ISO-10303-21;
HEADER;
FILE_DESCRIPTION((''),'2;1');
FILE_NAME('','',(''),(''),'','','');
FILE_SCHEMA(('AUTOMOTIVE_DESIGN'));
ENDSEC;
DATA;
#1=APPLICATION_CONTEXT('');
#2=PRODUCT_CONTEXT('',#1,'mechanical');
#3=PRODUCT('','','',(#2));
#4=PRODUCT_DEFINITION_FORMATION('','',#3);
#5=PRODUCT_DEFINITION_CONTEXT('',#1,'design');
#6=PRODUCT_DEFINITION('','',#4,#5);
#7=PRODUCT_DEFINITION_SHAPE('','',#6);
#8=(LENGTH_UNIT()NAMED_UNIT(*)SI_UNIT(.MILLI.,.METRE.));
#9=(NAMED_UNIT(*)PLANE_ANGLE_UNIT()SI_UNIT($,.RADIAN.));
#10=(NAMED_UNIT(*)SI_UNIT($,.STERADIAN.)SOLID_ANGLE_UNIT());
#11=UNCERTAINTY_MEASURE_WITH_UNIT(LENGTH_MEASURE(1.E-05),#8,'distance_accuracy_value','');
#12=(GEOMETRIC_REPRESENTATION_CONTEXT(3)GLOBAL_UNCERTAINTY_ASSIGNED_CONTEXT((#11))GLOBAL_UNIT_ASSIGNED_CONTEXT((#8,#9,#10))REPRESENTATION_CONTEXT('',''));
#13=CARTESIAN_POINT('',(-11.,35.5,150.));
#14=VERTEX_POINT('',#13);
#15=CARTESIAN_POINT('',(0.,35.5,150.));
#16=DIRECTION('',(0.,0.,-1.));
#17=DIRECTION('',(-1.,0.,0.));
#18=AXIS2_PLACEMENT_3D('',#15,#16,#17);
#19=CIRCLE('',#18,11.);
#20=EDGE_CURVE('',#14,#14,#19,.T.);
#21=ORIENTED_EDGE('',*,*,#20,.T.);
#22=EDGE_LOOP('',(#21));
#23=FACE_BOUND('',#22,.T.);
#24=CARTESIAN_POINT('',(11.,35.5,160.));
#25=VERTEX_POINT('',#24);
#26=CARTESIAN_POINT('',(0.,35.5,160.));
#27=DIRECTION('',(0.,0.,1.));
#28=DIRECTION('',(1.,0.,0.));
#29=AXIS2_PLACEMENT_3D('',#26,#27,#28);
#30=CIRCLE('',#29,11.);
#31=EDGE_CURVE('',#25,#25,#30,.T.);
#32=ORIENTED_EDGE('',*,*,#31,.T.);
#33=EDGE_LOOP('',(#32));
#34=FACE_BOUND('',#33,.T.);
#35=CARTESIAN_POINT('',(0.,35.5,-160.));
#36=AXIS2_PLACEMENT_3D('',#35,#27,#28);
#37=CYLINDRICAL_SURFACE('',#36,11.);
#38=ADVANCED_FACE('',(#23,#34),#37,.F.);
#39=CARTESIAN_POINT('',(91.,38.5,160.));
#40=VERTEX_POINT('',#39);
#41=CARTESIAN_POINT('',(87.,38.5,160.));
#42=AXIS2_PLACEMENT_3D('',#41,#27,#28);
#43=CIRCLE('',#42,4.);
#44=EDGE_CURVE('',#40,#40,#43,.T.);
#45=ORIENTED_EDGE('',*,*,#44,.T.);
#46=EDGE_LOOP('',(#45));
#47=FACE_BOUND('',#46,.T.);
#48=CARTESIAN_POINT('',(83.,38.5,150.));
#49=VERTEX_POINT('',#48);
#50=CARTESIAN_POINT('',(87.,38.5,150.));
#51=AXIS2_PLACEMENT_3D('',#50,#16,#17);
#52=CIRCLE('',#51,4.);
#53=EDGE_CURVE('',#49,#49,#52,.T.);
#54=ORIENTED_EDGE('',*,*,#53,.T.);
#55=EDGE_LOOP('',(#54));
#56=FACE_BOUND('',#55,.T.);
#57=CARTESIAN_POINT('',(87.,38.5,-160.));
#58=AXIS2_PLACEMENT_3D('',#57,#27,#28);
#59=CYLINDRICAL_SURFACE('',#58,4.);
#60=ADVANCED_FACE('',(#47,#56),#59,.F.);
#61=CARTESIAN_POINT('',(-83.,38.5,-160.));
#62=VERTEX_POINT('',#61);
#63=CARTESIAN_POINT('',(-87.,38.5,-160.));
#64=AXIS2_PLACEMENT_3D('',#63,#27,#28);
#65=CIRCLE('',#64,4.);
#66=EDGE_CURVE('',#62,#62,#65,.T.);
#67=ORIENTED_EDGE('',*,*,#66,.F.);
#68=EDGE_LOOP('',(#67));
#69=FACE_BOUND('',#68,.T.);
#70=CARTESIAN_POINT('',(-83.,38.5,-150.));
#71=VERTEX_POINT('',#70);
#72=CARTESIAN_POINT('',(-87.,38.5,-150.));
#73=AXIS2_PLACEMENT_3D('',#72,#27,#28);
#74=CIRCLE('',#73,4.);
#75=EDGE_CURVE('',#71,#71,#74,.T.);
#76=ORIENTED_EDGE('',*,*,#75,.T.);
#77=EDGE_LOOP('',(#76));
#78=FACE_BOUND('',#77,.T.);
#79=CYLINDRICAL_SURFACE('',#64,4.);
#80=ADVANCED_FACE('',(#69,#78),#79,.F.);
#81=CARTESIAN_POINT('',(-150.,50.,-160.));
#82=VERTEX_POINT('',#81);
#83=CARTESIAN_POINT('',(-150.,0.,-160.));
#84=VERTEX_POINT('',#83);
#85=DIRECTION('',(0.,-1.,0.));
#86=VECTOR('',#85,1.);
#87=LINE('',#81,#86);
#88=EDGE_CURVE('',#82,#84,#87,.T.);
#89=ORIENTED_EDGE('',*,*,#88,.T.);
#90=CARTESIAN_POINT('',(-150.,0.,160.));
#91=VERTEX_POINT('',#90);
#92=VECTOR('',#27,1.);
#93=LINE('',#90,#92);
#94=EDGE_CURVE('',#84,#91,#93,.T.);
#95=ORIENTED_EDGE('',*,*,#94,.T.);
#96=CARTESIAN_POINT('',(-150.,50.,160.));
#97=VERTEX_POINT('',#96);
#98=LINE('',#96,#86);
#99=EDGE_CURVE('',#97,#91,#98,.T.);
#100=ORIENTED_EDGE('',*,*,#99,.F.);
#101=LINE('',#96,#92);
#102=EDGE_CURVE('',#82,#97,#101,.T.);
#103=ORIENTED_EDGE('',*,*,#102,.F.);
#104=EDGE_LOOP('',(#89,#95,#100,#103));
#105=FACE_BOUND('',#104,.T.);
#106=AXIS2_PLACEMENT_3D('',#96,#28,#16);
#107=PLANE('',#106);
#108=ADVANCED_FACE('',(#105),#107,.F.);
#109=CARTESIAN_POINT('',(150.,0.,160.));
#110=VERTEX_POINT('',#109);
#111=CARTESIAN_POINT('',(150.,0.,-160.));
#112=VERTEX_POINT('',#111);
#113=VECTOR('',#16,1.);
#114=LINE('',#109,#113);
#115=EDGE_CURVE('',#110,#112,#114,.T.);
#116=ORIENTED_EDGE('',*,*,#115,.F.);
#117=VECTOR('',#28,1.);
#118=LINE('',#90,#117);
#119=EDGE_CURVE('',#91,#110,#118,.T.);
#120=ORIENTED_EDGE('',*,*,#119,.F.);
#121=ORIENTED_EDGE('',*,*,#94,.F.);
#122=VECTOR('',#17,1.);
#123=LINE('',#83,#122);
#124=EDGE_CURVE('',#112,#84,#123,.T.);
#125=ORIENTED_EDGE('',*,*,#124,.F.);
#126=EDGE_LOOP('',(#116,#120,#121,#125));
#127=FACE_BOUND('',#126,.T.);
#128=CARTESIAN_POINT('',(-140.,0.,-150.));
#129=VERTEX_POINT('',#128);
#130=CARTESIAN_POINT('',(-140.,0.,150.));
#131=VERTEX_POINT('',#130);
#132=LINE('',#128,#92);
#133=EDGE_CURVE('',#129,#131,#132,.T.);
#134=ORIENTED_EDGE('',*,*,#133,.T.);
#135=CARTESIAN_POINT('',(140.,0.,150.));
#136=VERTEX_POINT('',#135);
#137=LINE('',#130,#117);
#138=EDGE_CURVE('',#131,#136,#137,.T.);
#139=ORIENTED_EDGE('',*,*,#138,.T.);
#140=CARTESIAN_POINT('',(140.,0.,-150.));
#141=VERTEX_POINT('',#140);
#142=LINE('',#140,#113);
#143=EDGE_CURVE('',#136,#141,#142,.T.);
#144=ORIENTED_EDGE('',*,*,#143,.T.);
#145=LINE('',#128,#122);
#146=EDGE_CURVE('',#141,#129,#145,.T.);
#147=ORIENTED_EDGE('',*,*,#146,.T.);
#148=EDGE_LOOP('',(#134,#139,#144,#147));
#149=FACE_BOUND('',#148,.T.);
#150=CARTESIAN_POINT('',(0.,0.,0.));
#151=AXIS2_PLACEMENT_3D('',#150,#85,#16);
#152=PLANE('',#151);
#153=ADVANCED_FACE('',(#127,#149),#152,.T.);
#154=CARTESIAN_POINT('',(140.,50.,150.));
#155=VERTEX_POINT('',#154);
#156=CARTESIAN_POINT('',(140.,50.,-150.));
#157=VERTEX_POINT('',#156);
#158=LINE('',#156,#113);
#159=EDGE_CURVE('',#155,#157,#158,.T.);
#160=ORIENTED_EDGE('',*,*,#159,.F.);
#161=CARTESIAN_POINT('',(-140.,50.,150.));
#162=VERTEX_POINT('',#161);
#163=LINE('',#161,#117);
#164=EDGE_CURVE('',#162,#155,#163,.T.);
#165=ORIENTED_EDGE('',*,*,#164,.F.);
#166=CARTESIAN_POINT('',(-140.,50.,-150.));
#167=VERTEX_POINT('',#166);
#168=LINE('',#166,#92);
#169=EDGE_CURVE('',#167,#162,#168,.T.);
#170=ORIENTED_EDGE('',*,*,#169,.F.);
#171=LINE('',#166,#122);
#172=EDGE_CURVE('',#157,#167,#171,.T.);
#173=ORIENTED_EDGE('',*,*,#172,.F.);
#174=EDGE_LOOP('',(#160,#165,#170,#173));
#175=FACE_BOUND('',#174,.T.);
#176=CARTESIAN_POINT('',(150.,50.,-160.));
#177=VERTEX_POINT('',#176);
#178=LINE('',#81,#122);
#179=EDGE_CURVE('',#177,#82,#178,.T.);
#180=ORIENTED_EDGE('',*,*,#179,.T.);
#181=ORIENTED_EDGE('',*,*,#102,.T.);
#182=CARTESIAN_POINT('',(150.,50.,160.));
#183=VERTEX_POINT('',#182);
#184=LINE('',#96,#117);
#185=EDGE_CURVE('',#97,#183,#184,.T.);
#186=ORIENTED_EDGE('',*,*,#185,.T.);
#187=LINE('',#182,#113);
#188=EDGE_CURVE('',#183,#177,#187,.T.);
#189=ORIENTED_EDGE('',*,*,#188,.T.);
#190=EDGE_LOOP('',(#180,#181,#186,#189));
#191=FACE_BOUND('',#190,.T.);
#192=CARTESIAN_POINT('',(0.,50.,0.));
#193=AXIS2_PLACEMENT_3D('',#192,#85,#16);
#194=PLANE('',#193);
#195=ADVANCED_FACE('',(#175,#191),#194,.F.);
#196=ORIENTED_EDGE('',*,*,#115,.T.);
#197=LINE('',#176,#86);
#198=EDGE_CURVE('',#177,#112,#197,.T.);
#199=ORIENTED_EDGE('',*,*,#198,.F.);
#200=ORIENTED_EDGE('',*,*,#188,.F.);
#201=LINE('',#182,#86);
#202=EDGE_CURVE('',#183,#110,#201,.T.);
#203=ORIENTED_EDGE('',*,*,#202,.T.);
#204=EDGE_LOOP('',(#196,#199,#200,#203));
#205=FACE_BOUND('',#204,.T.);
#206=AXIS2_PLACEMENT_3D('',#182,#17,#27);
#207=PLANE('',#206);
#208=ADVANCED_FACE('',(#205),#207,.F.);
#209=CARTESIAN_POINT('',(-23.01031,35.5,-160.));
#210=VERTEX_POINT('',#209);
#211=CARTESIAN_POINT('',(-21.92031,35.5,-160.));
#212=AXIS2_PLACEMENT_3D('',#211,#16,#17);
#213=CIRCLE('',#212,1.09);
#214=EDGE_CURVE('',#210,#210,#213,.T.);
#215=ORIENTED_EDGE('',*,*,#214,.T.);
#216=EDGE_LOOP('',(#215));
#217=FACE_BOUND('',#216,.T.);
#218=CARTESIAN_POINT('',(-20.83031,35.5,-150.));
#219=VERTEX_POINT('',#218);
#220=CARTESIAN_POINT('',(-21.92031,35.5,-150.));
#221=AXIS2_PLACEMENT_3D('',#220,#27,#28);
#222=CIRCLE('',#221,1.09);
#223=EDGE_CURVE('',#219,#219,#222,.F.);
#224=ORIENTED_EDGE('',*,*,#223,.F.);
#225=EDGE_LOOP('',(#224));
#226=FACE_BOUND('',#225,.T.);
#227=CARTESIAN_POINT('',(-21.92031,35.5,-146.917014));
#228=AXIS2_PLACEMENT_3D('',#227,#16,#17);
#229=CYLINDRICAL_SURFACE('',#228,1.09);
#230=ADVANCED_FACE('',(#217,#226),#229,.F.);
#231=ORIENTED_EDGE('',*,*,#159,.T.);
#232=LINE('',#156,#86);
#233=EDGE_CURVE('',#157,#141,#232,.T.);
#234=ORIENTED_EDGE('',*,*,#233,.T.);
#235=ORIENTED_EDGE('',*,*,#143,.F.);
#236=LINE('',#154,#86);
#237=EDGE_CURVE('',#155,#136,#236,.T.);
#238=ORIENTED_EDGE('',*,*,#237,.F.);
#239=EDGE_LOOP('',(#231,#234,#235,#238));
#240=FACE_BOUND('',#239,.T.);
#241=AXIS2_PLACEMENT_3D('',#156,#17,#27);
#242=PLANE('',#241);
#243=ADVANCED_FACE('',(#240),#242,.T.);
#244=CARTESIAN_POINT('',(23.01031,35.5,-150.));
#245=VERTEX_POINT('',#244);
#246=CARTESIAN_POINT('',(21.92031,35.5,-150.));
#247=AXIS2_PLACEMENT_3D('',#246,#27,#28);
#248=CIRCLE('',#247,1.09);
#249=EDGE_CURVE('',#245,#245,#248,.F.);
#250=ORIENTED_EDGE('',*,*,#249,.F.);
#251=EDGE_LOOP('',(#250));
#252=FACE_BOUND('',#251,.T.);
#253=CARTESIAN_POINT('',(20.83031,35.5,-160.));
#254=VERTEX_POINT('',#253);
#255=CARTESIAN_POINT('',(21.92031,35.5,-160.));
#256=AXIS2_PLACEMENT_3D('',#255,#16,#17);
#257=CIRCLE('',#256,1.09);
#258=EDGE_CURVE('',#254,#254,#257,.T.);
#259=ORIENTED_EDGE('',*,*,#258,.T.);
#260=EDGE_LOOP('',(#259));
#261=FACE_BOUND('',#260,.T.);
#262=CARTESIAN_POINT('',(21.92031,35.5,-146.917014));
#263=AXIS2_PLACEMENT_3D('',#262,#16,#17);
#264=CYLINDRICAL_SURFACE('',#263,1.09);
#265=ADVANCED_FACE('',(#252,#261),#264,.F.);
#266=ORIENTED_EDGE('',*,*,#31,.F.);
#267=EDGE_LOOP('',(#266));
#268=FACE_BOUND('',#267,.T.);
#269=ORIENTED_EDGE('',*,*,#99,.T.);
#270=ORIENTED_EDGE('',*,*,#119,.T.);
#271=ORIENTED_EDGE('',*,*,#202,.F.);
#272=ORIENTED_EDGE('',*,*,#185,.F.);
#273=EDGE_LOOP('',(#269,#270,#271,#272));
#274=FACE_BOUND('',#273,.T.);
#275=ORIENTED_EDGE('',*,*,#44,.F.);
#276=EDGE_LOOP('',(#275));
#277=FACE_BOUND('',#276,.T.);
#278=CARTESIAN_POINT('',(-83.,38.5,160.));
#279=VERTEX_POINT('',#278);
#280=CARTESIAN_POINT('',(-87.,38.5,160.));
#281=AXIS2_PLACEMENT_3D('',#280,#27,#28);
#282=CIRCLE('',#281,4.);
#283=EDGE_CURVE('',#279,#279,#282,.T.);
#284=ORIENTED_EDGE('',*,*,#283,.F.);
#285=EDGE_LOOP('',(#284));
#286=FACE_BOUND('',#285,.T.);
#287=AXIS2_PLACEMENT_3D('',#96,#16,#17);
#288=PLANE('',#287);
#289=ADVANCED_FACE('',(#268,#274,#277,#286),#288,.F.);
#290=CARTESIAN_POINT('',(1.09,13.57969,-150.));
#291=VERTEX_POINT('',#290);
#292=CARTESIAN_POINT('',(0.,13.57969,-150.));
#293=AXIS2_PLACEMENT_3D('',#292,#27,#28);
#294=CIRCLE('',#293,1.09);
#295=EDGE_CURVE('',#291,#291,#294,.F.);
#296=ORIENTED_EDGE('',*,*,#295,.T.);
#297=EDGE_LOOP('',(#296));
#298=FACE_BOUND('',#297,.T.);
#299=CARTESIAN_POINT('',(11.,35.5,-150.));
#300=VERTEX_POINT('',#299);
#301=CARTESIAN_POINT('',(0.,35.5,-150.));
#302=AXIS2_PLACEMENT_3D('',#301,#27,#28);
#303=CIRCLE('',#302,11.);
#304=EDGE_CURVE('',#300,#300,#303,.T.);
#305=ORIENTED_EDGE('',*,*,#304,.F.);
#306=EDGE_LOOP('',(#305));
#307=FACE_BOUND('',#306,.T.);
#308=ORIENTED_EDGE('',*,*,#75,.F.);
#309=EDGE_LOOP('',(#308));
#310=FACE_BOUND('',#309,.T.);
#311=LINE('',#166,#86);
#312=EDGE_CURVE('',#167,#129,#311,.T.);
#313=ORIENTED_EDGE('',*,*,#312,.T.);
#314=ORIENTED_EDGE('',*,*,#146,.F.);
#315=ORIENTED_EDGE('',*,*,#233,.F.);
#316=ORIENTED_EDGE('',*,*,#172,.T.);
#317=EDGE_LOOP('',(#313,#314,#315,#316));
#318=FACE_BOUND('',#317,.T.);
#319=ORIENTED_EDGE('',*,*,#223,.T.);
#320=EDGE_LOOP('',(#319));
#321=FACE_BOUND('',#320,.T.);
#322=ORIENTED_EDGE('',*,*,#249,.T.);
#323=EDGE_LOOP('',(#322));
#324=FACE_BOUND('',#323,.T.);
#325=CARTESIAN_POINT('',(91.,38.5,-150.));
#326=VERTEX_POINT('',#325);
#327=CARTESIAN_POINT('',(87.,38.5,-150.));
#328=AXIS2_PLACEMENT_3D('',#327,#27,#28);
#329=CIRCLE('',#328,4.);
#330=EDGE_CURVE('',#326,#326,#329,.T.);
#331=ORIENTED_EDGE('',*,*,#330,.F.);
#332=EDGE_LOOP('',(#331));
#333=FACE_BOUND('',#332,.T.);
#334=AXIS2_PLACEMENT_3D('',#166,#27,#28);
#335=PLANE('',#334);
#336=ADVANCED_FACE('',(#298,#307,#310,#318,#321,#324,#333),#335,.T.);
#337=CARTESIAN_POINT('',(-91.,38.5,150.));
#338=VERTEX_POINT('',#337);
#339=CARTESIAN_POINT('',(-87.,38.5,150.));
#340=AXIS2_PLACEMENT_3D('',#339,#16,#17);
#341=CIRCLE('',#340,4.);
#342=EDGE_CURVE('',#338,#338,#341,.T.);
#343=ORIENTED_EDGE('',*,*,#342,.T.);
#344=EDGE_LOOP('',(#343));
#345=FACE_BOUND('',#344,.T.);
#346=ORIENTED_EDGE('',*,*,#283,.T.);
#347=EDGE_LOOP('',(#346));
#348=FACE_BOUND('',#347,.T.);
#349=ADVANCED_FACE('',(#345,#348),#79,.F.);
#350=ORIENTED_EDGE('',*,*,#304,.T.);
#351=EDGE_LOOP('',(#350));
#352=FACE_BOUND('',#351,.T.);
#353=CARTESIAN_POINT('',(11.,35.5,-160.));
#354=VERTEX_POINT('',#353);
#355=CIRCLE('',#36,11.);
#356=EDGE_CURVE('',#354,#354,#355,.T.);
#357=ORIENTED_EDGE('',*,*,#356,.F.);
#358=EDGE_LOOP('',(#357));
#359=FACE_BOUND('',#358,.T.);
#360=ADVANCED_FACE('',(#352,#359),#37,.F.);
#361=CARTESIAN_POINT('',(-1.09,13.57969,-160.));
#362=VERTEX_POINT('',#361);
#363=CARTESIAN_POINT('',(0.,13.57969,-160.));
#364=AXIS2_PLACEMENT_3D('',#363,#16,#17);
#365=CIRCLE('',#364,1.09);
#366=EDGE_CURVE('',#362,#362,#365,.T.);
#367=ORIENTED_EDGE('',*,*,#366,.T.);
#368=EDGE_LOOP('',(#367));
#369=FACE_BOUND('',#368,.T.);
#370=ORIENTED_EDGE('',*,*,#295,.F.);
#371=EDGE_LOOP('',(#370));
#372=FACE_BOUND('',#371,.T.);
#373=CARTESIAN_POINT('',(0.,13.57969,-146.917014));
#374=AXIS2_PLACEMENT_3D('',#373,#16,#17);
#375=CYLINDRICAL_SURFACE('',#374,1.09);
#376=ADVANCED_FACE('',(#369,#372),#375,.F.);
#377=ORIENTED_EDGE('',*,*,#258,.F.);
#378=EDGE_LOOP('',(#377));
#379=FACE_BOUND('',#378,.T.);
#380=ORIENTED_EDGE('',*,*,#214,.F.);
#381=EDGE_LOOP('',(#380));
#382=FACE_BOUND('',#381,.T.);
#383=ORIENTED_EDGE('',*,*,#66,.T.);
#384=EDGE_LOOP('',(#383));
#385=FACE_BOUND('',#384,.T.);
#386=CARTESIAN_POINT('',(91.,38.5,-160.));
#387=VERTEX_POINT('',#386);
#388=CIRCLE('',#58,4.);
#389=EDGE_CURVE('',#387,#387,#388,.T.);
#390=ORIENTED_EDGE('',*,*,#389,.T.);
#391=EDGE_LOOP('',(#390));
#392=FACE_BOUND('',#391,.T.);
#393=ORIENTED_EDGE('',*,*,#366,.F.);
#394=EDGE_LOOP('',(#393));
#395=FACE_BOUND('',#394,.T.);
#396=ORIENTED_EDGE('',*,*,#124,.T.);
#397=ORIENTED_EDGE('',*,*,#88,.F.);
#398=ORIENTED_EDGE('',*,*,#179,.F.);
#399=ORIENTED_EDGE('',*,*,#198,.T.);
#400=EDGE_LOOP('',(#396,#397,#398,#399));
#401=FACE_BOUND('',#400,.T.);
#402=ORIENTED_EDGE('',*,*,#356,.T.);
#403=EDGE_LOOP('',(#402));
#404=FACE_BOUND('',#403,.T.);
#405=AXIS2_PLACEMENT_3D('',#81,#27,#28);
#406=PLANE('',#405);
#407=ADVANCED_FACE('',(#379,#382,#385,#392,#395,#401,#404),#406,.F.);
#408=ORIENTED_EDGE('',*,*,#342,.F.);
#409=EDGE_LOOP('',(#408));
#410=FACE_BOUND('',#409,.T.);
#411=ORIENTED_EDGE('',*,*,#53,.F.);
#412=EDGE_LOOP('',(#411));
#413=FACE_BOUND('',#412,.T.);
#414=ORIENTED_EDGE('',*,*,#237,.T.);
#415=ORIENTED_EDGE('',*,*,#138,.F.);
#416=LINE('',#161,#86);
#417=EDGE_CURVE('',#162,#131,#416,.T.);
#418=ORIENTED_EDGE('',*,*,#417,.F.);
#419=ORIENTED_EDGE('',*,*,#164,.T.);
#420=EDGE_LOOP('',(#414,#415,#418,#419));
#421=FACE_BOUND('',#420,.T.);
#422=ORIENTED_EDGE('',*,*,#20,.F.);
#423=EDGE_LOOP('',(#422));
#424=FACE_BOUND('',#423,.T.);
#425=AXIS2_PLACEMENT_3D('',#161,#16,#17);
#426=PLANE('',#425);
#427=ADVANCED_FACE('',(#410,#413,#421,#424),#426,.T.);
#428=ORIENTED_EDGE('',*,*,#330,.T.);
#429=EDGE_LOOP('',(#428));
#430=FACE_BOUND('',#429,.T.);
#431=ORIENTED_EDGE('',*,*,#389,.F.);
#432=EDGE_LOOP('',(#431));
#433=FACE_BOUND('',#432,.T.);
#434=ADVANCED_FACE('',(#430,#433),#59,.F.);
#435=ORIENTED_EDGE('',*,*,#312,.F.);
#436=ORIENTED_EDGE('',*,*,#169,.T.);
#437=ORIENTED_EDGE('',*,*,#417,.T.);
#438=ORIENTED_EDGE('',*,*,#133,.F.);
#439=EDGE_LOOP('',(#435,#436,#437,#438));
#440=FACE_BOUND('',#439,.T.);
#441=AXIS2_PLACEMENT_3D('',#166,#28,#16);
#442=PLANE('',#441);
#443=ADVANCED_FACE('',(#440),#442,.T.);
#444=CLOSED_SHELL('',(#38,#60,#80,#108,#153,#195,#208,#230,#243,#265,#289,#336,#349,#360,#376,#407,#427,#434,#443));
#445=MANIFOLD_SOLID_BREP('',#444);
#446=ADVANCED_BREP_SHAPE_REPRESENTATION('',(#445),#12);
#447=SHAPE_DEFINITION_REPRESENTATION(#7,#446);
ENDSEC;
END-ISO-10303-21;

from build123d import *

# Parameters (mm, degrees)
CROQUIS1_W              = 300
CROQUIS1_H              = 320
CROQUIS1_W_2            = 280
CROQUIS1_H_2            = 300
SALIENTE_EXTRUIR1_DEPTH = 50
CROQUIS2_R              = 4
CROQUIS2_R_2            = 11
CORTAR_EXTRUIR1_DEPTH   = 321
SKETCH1_R               = 1.09
CUT_EXTRUDE1_DEPTH      = 10


with BuildPart() as part:
    # Croquis1 → Saliente-Extruir1 (new body)
    with BuildSketch(Plane(origin=(0, 0, 0), x_dir=(1, 0, 0), z_dir=(0, 1, 0))):
        Rectangle(CROQUIS1_W, CROQUIS1_H)
        Rectangle(CROQUIS1_W_2, CROQUIS1_H_2, mode=Mode.SUBTRACT)
    extrude(amount=SALIENTE_EXTRUIR1_DEPTH)

    # Croquis2 → Cortar-Extruir1 (cut, through all)
    with BuildSketch(Plane.XY.offset(160)):
        with Locations((-87, 38.5)):
            Circle(CROQUIS2_R)
        with Locations((0, 35.5)):
            Circle(CROQUIS2_R_2)
        with Locations((87, 38.5)):
            Circle(CROQUIS2_R)
    extrude(amount=-CORTAR_EXTRUIR1_DEPTH, mode=Mode.SUBTRACT)

    # Sketch1 → Cut-Extrude1 (cut)
    with BuildSketch(Plane(origin=(0, 0, -160), x_dir=(-1, 0, 0), z_dir=(0, 0, -1))):
        with Locations((0, 13.579689783)):
            Circle(SKETCH1_R)
        with Locations((-21.920310217, 35.5)):
            Circle(SKETCH1_R)
        with Locations((21.920310217, 35.5)):
            Circle(SKETCH1_R)
    extrude(amount=-CUT_EXTRUDE1_DEPTH, mode=Mode.SUBTRACT)


solid = part.part
